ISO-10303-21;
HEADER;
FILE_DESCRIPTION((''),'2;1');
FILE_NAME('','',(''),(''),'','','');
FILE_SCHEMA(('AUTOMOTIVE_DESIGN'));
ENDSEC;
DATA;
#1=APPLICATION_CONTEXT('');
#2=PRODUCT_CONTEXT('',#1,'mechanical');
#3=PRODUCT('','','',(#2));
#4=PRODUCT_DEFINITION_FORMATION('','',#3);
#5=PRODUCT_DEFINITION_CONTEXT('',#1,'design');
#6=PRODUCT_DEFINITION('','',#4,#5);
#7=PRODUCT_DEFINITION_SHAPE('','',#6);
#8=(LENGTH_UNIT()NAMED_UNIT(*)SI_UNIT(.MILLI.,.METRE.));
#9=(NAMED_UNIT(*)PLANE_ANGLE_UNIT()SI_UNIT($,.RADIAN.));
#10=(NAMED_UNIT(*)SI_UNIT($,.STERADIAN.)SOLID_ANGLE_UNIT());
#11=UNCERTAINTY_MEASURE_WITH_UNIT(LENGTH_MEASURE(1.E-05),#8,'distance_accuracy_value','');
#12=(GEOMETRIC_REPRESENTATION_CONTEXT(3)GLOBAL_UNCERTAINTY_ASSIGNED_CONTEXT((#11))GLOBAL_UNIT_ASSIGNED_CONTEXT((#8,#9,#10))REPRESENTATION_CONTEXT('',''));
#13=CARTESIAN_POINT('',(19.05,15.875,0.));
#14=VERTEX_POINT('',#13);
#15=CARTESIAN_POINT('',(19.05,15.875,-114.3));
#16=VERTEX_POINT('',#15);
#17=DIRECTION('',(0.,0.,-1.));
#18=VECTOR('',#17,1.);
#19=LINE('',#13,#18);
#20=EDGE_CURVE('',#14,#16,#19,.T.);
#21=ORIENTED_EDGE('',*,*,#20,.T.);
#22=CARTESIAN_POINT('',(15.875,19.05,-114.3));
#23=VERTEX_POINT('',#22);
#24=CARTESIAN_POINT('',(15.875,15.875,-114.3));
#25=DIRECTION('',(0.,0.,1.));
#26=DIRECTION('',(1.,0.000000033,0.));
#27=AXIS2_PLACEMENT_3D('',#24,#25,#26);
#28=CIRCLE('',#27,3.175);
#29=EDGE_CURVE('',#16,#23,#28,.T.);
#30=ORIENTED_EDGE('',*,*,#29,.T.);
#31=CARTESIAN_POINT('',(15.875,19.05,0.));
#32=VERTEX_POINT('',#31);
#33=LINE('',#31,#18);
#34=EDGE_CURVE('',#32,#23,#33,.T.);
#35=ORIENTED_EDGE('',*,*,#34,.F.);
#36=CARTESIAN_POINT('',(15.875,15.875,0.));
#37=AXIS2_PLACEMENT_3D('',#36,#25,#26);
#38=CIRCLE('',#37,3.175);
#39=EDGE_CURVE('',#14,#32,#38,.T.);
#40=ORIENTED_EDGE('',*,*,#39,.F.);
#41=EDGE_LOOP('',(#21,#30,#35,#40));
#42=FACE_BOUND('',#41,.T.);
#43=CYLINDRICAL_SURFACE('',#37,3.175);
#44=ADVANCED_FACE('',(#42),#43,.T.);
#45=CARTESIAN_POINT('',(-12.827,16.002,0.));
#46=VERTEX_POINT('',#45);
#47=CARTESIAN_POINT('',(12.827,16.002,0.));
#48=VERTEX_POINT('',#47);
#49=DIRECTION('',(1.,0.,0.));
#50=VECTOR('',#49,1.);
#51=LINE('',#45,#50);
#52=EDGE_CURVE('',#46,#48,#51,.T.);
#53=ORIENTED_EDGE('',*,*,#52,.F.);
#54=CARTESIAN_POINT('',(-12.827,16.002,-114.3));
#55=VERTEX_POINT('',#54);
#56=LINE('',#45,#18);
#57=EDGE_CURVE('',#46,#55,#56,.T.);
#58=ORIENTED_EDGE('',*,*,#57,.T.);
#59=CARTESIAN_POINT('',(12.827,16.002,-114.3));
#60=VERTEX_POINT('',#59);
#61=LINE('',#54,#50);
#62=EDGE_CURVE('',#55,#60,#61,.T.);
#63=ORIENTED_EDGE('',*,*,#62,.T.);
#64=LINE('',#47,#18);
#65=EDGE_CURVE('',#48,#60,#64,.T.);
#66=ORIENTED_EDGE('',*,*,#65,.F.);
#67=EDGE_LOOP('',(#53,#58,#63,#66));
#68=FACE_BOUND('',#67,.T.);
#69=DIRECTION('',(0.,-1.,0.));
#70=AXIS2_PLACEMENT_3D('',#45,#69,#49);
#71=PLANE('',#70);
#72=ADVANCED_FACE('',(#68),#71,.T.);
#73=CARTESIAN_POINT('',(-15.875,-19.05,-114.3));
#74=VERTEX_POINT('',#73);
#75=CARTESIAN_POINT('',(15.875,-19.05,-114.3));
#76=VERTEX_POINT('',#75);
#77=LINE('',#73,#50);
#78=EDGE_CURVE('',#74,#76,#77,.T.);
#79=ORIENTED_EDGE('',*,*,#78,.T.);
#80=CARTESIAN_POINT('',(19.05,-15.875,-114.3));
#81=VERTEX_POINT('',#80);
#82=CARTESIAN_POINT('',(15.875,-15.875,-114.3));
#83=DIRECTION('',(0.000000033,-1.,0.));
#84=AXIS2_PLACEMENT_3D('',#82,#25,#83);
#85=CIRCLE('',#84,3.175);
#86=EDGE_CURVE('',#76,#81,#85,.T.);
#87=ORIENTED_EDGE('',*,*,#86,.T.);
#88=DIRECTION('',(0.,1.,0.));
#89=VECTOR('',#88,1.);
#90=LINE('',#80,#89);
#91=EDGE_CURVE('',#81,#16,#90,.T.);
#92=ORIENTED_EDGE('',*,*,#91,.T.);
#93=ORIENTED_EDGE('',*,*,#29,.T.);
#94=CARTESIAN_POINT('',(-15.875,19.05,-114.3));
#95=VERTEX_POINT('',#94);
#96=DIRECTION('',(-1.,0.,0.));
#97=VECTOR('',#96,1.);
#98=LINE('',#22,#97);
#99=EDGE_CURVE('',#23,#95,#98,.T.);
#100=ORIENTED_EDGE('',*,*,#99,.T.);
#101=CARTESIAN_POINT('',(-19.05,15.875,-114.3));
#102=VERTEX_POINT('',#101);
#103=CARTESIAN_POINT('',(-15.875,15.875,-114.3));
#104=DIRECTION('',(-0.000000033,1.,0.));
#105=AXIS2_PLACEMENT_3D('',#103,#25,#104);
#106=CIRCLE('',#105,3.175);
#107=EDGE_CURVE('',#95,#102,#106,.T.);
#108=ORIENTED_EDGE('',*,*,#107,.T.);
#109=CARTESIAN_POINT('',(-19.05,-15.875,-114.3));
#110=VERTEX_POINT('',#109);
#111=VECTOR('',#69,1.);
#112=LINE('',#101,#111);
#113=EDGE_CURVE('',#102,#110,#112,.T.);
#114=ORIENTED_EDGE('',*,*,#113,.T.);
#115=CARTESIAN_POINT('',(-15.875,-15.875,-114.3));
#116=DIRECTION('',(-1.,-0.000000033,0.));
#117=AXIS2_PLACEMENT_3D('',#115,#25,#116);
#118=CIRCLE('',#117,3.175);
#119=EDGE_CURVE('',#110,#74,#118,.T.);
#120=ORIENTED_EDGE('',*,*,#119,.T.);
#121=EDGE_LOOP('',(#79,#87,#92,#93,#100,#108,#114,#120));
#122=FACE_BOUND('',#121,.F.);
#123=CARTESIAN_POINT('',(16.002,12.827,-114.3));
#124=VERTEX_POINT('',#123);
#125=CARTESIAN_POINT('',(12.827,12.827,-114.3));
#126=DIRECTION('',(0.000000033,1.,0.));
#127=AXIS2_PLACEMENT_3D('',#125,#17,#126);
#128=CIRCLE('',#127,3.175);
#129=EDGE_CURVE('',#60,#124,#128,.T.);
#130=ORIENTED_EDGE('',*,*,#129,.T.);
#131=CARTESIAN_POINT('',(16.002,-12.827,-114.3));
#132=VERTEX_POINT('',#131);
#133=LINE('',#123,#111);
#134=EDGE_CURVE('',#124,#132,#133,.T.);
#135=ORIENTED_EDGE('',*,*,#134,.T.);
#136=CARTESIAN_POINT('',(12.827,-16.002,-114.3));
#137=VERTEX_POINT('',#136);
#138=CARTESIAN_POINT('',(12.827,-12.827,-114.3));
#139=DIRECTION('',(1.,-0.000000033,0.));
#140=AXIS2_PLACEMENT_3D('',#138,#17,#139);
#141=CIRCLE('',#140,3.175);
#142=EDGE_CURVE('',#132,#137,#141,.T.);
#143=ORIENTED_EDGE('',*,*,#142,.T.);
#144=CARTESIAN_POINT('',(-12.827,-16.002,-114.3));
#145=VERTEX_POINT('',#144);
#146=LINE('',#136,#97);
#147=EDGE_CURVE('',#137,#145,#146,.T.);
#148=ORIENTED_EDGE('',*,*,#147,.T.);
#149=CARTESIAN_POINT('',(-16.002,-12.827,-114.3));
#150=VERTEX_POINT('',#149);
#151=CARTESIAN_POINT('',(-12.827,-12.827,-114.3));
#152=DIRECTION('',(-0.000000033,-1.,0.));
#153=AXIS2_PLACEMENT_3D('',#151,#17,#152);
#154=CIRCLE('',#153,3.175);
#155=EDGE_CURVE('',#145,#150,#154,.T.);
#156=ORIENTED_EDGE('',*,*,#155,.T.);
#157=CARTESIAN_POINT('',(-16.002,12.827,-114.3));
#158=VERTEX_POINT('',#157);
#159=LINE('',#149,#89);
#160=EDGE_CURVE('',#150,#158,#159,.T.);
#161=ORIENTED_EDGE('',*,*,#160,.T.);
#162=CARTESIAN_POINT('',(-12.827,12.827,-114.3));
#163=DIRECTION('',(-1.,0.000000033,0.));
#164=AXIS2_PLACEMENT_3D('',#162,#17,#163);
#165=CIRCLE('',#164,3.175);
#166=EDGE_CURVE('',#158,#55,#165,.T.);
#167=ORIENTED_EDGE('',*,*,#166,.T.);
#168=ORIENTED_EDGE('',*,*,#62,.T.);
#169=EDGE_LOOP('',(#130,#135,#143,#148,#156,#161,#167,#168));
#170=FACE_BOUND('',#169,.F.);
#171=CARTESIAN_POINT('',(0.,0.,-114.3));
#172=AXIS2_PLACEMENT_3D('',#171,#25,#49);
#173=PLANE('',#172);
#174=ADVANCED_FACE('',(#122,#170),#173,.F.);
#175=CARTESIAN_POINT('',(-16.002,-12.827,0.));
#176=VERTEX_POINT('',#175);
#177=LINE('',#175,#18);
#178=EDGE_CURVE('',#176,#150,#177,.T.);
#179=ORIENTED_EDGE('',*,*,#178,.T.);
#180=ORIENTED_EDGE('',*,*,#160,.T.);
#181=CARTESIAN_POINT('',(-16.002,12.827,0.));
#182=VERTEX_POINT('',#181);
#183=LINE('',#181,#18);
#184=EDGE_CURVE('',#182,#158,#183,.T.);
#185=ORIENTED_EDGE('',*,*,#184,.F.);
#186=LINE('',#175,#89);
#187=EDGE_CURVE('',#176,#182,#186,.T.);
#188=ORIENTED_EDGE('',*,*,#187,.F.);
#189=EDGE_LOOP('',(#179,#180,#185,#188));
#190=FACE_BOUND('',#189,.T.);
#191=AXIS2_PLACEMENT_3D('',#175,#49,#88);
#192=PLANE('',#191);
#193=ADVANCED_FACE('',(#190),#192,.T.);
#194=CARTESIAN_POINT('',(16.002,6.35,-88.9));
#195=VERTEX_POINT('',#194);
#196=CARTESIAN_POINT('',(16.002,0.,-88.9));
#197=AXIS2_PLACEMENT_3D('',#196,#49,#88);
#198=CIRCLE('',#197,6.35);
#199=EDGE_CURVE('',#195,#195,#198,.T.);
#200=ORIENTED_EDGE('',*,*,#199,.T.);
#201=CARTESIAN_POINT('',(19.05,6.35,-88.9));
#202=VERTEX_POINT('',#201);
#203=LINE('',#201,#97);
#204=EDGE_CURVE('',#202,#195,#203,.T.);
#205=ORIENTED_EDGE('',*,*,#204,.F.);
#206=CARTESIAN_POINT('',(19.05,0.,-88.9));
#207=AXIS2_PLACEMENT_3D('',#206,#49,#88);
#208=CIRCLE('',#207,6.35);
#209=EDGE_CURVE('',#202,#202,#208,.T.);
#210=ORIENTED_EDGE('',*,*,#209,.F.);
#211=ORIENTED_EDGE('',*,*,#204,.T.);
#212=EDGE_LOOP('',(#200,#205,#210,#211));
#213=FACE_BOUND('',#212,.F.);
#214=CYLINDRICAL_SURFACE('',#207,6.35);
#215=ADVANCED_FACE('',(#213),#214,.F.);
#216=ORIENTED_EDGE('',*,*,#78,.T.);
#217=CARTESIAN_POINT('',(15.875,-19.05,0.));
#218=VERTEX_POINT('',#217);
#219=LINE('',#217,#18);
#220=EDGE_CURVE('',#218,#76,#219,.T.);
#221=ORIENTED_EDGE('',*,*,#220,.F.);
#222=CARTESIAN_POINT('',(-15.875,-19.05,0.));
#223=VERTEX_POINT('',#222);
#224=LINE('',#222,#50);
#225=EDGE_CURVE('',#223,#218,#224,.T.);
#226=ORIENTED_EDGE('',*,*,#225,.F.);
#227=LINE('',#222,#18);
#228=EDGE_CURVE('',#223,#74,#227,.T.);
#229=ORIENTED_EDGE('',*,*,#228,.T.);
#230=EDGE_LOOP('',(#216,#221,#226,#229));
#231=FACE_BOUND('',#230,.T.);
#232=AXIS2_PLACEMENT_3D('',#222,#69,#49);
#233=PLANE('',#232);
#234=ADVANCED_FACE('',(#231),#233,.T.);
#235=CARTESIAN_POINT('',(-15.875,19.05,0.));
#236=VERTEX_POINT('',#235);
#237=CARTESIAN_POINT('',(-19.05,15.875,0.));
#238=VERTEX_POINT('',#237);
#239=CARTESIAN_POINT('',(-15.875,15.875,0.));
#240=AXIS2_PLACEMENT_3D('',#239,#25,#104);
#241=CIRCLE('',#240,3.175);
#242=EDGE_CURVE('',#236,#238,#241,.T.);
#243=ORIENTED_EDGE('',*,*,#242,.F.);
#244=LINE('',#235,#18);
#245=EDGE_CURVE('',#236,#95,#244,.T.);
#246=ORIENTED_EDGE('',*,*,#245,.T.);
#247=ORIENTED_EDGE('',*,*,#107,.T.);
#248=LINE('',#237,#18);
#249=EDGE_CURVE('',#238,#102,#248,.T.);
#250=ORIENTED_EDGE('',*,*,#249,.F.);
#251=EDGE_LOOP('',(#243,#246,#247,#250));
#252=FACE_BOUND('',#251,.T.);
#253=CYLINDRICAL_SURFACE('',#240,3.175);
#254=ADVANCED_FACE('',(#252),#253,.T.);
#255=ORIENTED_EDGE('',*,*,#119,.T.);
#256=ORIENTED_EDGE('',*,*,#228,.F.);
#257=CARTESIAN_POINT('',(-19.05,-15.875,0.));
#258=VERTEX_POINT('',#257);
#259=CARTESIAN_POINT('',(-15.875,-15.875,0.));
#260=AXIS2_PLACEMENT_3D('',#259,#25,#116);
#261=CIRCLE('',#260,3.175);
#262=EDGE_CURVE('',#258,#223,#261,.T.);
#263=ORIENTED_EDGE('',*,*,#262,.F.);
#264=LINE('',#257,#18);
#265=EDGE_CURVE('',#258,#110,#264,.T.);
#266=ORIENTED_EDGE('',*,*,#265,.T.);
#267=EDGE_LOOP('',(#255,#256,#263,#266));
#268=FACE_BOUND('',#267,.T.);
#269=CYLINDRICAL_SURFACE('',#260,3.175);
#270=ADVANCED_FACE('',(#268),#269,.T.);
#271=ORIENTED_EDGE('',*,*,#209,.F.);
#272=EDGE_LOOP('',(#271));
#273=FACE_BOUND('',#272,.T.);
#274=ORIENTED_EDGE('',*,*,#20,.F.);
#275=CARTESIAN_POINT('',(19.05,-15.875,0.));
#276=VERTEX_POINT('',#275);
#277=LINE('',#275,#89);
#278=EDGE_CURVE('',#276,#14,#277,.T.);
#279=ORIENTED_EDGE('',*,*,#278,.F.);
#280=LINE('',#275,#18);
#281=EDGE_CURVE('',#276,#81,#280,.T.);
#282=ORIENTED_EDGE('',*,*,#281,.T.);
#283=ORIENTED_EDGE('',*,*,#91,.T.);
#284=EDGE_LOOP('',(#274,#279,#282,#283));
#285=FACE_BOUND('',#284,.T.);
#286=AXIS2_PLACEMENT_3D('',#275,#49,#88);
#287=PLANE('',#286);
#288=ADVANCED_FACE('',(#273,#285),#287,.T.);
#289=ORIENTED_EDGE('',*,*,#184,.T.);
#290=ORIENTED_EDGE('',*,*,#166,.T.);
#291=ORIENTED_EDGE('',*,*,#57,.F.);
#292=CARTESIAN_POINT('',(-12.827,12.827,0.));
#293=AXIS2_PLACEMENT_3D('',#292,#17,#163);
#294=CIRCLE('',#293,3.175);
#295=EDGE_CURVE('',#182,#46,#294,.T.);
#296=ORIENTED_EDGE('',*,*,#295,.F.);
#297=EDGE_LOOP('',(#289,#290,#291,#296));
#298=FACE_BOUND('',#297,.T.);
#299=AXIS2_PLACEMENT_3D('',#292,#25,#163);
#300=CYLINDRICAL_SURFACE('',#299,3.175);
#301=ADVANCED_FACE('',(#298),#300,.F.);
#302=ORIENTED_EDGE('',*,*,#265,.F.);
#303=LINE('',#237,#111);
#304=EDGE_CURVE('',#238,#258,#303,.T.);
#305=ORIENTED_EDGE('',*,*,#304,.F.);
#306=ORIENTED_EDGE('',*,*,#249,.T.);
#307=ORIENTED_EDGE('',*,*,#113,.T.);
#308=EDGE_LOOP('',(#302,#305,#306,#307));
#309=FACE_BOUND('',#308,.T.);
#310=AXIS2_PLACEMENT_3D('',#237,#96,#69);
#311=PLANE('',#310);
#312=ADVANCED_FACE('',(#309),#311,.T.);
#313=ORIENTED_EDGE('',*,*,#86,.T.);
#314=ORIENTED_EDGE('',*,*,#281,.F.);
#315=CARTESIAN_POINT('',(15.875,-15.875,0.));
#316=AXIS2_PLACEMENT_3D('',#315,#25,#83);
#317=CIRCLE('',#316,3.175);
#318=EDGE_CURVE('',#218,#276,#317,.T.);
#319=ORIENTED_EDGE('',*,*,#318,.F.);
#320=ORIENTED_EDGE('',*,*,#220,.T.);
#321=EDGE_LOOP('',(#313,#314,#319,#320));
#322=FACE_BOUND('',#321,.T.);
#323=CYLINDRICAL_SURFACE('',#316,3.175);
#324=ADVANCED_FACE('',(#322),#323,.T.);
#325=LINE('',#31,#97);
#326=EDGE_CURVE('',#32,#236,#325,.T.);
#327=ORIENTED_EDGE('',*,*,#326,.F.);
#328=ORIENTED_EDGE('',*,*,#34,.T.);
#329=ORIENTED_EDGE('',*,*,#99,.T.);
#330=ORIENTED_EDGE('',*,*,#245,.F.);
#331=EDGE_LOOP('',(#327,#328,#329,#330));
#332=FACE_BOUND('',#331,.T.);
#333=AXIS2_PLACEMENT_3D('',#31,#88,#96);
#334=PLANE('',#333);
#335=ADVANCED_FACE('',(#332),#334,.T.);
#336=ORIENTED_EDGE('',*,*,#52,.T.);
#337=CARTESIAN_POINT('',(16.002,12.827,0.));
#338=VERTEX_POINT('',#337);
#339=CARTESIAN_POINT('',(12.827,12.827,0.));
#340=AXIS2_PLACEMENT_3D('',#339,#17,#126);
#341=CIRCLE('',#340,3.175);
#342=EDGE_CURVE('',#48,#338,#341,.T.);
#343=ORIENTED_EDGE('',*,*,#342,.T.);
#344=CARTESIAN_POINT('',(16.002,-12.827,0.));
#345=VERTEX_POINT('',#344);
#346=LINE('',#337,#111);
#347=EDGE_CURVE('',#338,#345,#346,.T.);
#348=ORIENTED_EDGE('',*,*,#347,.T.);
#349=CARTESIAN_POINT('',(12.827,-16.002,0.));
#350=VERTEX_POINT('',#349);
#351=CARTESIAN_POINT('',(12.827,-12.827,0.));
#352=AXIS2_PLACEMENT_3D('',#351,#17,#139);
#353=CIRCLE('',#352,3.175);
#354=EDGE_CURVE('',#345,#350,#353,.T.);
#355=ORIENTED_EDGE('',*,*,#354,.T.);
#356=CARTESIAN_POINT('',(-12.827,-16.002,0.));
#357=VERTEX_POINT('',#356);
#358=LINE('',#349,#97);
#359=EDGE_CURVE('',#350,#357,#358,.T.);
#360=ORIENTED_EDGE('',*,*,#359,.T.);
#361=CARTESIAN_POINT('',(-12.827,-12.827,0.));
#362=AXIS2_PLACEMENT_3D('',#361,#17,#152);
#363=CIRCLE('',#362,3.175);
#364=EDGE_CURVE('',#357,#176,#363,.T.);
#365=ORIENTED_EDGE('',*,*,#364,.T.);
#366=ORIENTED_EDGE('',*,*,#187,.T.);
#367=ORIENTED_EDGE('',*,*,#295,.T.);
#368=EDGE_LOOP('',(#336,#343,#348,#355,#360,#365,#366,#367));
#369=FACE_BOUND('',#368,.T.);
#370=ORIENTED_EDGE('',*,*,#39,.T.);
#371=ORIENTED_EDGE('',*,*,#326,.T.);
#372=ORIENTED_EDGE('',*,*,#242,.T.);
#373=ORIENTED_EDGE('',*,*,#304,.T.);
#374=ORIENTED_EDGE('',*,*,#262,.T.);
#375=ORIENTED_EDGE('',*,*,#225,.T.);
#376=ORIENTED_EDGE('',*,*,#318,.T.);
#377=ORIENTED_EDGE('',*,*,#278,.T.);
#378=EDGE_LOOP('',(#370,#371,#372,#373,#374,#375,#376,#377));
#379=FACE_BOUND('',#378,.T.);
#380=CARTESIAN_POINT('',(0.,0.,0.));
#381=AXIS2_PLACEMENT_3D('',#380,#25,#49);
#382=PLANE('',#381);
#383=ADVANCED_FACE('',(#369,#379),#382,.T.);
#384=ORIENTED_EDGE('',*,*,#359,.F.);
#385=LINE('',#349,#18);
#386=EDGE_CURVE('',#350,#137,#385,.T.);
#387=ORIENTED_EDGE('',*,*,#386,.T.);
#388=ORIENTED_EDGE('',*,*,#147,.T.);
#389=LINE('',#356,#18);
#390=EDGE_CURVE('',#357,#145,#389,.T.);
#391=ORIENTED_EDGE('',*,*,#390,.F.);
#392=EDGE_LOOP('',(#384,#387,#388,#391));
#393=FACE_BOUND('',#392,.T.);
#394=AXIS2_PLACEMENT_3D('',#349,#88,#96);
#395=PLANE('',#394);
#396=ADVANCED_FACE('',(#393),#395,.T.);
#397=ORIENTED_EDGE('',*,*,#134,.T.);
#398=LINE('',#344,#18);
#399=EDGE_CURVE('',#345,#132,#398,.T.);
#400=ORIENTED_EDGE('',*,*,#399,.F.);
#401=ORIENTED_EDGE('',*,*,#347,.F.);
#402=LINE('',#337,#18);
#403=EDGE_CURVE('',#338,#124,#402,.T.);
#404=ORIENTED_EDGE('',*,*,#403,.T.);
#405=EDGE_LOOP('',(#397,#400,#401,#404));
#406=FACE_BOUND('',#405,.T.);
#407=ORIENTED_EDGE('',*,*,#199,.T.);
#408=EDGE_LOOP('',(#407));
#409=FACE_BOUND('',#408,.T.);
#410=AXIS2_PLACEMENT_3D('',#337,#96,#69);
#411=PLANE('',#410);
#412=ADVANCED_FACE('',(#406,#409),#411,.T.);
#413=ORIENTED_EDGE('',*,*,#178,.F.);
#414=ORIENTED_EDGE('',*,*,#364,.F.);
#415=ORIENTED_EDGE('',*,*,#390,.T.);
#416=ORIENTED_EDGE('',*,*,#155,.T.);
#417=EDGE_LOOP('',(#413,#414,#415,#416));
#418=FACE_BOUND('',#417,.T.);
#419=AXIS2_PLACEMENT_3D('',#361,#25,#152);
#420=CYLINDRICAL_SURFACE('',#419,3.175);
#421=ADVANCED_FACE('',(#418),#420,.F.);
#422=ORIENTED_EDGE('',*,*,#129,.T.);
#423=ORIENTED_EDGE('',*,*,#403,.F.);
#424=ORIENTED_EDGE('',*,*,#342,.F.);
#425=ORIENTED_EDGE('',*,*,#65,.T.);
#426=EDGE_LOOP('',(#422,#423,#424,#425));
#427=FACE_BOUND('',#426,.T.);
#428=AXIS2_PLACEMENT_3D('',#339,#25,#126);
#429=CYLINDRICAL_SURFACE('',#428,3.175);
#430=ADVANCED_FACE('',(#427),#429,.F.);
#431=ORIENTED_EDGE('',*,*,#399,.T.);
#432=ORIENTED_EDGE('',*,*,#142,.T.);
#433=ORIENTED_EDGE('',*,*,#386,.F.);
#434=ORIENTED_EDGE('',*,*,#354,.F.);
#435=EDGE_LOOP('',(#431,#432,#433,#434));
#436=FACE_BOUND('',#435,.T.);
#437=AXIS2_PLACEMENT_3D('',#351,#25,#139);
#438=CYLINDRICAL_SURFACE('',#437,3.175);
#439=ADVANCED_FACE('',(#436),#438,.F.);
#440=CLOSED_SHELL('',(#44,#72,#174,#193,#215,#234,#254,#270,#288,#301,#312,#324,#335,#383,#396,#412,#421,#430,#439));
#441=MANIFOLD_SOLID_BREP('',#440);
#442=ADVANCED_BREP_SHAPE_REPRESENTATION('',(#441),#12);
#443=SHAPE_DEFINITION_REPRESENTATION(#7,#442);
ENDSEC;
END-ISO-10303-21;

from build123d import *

# Parameters (mm, degrees)
F1_DEPTH = 114.3
F2_R     = 6.35
F3_DEPTH = 6.35


with BuildPart() as f1:
    # F0 (on Top) → F1 (new body)
    with BuildSketch(Plane.XY):
        with BuildLine():
            Line((15.875, 19.05), (-15.875, 19.05))
            ThreePointArc((-15.875, 19.05), (-18.120064, 18.120064), (-19.05, 15.875))
            Line((-19.05, 15.875), (-19.05, -15.875))
            ThreePointArc((-19.05, -15.875), (-18.120064, -18.120064), (-15.875, -19.05))
            Line((-15.875, -19.05), (15.875, -19.05))
            ThreePointArc((15.875, -19.05), (18.120064, -18.120064), (19.05, -15.875))
            Line((19.05, -15.875), (19.05, 15.875))
            ThreePointArc((19.05, 15.875), (18.120064, 18.120064), (15.875, 19.05))
        make_face()
        with BuildLine():
            Line((-16.002, -12.827), (-16.002, 12.827))
            ThreePointArc((-16.002, 12.827), (-15.072064, 15.072064), (-12.827, 16.002))
            Line((-12.827, 16.002), (12.827, 16.002))
            ThreePointArc((12.827, 16.002), (15.072064, 15.072064), (16.002, 12.827))
            Line((16.002, 12.827), (16.002, -12.827))
            ThreePointArc((16.002, -12.827), (15.072064, -15.072064), (12.827, -16.002))
            Line((12.827, -16.002), (-12.827, -16.002))
            ThreePointArc((-12.827, -16.002), (-15.072064, -15.072064), (-16.002, -12.827))
        make_face(mode=Mode.SUBTRACT)
    extrude(amount=-F1_DEPTH)

    # F2 (on face) → F3 (cut)
    with BuildSketch(Plane.YZ.offset(19.05)):
        with Locations((0, -88.9)):
            Circle(F2_R)
    extrude(amount=-F3_DEPTH, mode=Mode.SUBTRACT)


solid = f1.part
